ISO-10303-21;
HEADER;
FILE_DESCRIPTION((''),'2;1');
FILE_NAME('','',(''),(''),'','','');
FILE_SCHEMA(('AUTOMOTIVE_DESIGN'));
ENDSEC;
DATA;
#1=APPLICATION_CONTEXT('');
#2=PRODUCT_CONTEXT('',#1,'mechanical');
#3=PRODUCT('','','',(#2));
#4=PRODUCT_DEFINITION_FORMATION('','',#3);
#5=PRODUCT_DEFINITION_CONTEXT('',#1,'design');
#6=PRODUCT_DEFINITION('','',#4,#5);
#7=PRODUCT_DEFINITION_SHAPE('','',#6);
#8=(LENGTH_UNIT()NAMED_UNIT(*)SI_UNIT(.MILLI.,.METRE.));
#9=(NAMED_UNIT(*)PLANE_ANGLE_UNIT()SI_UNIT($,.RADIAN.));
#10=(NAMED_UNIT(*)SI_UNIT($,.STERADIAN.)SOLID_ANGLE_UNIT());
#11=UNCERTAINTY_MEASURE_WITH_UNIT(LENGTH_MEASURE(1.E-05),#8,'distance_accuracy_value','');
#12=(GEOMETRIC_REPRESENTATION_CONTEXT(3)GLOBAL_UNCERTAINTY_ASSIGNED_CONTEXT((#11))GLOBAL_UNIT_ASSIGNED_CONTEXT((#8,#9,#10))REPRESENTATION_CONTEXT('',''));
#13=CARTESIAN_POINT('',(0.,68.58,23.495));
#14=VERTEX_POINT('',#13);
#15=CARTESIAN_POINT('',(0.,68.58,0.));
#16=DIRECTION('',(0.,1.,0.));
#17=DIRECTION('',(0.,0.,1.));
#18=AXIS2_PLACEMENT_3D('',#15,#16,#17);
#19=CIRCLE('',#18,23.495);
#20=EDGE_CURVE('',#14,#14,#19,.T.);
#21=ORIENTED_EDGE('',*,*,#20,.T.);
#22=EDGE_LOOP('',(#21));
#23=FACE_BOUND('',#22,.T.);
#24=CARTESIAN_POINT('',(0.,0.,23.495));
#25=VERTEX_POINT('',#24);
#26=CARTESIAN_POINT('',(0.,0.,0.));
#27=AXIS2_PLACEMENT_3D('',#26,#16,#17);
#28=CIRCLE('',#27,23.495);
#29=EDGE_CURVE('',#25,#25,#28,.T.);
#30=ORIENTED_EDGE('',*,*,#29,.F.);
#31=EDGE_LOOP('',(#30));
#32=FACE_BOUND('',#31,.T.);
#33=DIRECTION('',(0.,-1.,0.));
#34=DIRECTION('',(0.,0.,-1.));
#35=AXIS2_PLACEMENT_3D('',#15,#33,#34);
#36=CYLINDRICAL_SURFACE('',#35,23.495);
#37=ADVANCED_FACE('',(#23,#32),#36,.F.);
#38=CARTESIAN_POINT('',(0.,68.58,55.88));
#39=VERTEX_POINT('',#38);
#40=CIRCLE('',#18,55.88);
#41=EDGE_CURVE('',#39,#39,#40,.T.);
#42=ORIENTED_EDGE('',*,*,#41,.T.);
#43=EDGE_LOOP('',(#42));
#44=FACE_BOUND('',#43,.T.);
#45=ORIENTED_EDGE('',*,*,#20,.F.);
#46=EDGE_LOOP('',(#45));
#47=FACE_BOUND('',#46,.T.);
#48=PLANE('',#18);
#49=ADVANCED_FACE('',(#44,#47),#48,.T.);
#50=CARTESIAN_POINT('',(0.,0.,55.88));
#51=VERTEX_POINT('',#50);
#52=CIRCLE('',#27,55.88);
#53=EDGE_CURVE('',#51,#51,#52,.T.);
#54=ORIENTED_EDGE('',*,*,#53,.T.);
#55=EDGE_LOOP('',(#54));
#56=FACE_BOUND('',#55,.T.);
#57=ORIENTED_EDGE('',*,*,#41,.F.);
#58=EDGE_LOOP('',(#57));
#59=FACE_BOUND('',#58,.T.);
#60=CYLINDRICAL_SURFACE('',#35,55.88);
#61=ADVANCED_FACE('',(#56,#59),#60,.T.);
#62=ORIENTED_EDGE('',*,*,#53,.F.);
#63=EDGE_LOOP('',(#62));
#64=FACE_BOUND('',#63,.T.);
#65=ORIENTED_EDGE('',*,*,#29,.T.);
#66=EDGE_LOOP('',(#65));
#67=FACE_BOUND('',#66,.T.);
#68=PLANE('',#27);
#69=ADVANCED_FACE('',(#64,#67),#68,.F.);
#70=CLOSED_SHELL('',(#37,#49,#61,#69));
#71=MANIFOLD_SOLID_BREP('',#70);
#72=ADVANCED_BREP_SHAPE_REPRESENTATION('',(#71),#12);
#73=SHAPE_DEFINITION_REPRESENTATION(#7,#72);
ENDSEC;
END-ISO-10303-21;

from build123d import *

# Parameters (mm, degrees)
SKETCH1_R           = 55.88
SKETCH1_R_2         = 23.495
BOSS_EXTRUDE1_DEPTH = 68.58


with BuildPart() as part:
    # Sketch1 → Boss-Extrude1 (new body)
    with BuildSketch(Plane(origin=(0, 0, 0), x_dir=(1, 0, 0), z_dir=(0, 1, 0))):
        with Locations(Location((0, 0, 0), (0, 0, 270))):
            Circle(SKETCH1_R)
        with Locations(Location((0, 0, 0), (0, 0, 270))):
            Circle(SKETCH1_R_2, mode=Mode.SUBTRACT)
    extrude(amount=BOSS_EXTRUDE1_DEPTH)


solid = part.part
